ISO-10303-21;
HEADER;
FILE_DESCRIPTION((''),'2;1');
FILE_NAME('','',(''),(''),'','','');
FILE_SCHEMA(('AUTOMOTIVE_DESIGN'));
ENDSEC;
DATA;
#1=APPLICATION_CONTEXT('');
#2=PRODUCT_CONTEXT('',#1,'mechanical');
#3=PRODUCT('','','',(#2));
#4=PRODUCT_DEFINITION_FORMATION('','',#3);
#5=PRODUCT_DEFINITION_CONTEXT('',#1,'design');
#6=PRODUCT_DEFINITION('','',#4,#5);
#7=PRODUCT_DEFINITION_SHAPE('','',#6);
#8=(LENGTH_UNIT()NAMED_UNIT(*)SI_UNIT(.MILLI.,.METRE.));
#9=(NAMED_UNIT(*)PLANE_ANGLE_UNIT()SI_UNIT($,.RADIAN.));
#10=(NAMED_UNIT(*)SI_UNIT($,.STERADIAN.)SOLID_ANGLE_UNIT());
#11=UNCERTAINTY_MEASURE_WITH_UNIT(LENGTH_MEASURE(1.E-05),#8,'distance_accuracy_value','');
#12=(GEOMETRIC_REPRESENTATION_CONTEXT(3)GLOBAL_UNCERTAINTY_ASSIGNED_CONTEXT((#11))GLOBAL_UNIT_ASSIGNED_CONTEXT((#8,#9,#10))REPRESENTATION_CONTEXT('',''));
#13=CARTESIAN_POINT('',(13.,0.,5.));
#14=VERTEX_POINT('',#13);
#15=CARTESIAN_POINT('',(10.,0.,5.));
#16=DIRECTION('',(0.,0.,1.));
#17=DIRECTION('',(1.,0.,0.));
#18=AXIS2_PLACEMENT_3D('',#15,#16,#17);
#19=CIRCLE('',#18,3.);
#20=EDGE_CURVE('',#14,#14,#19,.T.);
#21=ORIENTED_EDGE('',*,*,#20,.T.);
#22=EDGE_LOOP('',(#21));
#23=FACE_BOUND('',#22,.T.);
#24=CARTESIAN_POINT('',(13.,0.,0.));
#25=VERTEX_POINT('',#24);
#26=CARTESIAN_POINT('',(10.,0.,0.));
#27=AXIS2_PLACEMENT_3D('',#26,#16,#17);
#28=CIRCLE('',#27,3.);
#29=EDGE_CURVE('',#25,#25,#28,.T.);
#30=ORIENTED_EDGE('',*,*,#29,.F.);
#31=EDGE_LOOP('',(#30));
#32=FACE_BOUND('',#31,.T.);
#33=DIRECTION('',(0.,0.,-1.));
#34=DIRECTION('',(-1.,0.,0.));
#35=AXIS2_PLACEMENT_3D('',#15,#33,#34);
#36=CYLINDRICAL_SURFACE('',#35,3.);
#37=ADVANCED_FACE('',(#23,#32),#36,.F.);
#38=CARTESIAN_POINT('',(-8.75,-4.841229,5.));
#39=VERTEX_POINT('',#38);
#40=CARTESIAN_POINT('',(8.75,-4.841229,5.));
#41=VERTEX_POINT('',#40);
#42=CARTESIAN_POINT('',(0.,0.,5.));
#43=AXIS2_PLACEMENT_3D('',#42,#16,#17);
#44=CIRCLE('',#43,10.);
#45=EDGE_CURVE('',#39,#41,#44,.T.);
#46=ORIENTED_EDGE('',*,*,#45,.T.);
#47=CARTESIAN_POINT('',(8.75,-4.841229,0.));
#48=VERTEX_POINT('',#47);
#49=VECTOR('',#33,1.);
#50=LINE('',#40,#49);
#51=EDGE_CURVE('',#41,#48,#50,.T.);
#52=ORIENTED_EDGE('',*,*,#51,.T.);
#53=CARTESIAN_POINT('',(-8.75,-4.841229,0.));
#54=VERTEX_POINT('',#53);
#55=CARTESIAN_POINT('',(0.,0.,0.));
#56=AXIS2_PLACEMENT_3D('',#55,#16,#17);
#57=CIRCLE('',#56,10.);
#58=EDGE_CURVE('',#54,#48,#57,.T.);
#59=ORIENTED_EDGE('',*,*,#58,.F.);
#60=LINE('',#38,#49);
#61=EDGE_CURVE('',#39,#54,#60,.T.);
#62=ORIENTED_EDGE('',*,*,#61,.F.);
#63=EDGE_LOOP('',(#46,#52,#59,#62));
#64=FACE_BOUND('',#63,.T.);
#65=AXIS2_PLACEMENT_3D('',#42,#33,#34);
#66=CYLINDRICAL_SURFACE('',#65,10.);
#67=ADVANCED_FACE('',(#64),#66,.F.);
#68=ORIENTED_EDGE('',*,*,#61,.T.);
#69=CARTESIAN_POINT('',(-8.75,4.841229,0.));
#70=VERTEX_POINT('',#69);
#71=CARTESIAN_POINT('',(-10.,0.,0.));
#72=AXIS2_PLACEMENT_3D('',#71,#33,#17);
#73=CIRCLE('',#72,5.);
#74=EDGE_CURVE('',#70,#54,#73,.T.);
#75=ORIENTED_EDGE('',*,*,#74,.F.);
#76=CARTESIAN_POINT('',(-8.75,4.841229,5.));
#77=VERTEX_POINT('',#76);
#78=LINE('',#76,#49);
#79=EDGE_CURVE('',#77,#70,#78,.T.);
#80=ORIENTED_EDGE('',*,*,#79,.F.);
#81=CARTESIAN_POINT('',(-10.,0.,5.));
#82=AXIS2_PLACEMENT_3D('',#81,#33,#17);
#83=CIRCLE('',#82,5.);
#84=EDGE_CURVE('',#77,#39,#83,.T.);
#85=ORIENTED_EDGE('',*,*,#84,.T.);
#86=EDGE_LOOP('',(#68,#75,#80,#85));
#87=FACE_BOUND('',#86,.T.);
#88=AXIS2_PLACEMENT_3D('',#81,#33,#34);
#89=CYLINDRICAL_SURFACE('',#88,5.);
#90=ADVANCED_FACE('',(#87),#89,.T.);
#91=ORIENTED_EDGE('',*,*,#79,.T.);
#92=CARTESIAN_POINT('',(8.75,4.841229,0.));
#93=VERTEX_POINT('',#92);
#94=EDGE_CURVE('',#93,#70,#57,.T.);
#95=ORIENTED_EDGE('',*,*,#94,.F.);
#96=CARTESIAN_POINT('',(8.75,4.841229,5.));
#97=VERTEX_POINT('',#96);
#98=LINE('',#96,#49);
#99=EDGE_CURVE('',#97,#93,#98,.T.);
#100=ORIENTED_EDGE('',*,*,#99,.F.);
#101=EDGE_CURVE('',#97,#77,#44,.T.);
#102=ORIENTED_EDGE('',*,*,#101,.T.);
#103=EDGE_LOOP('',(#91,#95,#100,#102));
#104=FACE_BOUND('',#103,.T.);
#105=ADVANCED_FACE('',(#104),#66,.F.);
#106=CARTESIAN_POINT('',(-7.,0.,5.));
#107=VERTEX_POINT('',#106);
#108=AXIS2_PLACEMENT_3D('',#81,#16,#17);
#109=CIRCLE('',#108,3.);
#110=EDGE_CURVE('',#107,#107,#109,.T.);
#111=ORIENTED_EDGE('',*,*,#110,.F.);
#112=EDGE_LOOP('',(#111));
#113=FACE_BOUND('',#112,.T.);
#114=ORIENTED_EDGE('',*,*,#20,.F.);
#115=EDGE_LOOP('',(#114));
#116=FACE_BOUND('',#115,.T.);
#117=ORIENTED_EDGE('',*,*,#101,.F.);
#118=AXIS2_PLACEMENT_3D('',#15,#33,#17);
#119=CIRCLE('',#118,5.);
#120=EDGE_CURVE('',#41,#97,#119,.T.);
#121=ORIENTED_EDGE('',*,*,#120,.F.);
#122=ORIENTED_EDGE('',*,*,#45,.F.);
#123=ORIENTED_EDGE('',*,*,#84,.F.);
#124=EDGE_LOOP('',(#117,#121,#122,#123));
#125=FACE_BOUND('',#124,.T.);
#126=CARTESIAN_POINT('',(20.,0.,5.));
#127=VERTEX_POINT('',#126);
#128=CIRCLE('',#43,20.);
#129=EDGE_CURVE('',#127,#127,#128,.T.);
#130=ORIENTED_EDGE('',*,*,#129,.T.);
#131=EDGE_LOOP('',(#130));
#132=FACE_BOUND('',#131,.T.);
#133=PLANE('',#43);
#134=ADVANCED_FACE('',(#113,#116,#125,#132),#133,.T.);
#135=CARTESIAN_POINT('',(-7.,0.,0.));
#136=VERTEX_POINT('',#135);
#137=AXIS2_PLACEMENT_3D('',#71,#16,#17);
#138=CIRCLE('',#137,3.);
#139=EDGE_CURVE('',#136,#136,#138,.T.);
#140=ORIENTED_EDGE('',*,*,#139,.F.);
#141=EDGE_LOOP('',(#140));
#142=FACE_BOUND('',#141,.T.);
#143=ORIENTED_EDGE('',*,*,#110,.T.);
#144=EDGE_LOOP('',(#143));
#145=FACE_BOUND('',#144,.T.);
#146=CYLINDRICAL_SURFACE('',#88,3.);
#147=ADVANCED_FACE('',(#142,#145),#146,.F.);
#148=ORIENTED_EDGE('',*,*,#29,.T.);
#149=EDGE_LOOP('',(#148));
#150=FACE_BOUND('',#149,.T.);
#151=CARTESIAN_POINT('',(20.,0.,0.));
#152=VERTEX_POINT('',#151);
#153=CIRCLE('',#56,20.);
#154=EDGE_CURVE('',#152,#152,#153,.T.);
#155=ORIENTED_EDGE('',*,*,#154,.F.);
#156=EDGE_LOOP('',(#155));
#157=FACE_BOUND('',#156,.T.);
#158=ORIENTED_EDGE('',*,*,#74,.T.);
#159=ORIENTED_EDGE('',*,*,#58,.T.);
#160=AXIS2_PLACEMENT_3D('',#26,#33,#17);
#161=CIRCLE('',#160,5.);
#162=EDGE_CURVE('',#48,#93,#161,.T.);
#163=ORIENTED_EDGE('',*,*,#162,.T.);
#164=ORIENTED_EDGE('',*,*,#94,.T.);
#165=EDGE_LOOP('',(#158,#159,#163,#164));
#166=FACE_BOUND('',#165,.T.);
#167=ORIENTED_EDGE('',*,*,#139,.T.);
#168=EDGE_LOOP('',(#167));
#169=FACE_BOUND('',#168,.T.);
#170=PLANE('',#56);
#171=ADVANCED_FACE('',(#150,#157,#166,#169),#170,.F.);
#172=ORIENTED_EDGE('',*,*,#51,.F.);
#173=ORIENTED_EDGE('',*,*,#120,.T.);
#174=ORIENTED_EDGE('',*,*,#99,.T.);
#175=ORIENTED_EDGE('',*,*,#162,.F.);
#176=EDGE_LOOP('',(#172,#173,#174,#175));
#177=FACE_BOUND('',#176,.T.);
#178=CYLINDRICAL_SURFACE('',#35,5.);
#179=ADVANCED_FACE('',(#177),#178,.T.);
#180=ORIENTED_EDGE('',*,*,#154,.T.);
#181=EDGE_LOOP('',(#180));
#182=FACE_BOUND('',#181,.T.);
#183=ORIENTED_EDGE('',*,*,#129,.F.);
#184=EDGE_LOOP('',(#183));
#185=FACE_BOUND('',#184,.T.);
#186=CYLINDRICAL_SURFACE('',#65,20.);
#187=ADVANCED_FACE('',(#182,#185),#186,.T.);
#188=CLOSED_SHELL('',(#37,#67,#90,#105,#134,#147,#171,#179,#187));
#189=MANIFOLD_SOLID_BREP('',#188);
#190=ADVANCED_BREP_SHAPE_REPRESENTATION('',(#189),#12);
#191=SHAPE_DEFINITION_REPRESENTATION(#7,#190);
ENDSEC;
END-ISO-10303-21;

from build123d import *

# Parameters (mm, degrees)
CROQUIS1_R              = 20
CROQUIS1_R_2            = 3
SALIENTE_EXTRUIR1_DEPTH = 5


with BuildPart() as part:
    # Croquis1 → Saliente-Extruir1 (new body)
    with BuildSketch(Plane.XY):
        Circle(CROQUIS1_R)
        with Locations((10, 0)):
            Circle(CROQUIS1_R_2, mode=Mode.SUBTRACT)
        with Locations((-10, 0)):
            Circle(CROQUIS1_R_2, mode=Mode.SUBTRACT)
        with BuildLine():
            ThreePointArc((8.75, 4.841229183), (0, 10), (-8.75, 4.841229183))
            ThreePointArc((-8.75, 4.841229183), (-5, 0), (-8.75, -4.841229183))
            ThreePointArc((-8.75, -4.841229183), (0, -10), (8.75, -4.841229183))
            ThreePointArc((8.75, -4.841229183), (5, 0), (8.75, 4.841229183))
        make_face(mode=Mode.SUBTRACT)
    extrude(amount=SALIENTE_EXTRUIR1_DEPTH)


solid = part.part
